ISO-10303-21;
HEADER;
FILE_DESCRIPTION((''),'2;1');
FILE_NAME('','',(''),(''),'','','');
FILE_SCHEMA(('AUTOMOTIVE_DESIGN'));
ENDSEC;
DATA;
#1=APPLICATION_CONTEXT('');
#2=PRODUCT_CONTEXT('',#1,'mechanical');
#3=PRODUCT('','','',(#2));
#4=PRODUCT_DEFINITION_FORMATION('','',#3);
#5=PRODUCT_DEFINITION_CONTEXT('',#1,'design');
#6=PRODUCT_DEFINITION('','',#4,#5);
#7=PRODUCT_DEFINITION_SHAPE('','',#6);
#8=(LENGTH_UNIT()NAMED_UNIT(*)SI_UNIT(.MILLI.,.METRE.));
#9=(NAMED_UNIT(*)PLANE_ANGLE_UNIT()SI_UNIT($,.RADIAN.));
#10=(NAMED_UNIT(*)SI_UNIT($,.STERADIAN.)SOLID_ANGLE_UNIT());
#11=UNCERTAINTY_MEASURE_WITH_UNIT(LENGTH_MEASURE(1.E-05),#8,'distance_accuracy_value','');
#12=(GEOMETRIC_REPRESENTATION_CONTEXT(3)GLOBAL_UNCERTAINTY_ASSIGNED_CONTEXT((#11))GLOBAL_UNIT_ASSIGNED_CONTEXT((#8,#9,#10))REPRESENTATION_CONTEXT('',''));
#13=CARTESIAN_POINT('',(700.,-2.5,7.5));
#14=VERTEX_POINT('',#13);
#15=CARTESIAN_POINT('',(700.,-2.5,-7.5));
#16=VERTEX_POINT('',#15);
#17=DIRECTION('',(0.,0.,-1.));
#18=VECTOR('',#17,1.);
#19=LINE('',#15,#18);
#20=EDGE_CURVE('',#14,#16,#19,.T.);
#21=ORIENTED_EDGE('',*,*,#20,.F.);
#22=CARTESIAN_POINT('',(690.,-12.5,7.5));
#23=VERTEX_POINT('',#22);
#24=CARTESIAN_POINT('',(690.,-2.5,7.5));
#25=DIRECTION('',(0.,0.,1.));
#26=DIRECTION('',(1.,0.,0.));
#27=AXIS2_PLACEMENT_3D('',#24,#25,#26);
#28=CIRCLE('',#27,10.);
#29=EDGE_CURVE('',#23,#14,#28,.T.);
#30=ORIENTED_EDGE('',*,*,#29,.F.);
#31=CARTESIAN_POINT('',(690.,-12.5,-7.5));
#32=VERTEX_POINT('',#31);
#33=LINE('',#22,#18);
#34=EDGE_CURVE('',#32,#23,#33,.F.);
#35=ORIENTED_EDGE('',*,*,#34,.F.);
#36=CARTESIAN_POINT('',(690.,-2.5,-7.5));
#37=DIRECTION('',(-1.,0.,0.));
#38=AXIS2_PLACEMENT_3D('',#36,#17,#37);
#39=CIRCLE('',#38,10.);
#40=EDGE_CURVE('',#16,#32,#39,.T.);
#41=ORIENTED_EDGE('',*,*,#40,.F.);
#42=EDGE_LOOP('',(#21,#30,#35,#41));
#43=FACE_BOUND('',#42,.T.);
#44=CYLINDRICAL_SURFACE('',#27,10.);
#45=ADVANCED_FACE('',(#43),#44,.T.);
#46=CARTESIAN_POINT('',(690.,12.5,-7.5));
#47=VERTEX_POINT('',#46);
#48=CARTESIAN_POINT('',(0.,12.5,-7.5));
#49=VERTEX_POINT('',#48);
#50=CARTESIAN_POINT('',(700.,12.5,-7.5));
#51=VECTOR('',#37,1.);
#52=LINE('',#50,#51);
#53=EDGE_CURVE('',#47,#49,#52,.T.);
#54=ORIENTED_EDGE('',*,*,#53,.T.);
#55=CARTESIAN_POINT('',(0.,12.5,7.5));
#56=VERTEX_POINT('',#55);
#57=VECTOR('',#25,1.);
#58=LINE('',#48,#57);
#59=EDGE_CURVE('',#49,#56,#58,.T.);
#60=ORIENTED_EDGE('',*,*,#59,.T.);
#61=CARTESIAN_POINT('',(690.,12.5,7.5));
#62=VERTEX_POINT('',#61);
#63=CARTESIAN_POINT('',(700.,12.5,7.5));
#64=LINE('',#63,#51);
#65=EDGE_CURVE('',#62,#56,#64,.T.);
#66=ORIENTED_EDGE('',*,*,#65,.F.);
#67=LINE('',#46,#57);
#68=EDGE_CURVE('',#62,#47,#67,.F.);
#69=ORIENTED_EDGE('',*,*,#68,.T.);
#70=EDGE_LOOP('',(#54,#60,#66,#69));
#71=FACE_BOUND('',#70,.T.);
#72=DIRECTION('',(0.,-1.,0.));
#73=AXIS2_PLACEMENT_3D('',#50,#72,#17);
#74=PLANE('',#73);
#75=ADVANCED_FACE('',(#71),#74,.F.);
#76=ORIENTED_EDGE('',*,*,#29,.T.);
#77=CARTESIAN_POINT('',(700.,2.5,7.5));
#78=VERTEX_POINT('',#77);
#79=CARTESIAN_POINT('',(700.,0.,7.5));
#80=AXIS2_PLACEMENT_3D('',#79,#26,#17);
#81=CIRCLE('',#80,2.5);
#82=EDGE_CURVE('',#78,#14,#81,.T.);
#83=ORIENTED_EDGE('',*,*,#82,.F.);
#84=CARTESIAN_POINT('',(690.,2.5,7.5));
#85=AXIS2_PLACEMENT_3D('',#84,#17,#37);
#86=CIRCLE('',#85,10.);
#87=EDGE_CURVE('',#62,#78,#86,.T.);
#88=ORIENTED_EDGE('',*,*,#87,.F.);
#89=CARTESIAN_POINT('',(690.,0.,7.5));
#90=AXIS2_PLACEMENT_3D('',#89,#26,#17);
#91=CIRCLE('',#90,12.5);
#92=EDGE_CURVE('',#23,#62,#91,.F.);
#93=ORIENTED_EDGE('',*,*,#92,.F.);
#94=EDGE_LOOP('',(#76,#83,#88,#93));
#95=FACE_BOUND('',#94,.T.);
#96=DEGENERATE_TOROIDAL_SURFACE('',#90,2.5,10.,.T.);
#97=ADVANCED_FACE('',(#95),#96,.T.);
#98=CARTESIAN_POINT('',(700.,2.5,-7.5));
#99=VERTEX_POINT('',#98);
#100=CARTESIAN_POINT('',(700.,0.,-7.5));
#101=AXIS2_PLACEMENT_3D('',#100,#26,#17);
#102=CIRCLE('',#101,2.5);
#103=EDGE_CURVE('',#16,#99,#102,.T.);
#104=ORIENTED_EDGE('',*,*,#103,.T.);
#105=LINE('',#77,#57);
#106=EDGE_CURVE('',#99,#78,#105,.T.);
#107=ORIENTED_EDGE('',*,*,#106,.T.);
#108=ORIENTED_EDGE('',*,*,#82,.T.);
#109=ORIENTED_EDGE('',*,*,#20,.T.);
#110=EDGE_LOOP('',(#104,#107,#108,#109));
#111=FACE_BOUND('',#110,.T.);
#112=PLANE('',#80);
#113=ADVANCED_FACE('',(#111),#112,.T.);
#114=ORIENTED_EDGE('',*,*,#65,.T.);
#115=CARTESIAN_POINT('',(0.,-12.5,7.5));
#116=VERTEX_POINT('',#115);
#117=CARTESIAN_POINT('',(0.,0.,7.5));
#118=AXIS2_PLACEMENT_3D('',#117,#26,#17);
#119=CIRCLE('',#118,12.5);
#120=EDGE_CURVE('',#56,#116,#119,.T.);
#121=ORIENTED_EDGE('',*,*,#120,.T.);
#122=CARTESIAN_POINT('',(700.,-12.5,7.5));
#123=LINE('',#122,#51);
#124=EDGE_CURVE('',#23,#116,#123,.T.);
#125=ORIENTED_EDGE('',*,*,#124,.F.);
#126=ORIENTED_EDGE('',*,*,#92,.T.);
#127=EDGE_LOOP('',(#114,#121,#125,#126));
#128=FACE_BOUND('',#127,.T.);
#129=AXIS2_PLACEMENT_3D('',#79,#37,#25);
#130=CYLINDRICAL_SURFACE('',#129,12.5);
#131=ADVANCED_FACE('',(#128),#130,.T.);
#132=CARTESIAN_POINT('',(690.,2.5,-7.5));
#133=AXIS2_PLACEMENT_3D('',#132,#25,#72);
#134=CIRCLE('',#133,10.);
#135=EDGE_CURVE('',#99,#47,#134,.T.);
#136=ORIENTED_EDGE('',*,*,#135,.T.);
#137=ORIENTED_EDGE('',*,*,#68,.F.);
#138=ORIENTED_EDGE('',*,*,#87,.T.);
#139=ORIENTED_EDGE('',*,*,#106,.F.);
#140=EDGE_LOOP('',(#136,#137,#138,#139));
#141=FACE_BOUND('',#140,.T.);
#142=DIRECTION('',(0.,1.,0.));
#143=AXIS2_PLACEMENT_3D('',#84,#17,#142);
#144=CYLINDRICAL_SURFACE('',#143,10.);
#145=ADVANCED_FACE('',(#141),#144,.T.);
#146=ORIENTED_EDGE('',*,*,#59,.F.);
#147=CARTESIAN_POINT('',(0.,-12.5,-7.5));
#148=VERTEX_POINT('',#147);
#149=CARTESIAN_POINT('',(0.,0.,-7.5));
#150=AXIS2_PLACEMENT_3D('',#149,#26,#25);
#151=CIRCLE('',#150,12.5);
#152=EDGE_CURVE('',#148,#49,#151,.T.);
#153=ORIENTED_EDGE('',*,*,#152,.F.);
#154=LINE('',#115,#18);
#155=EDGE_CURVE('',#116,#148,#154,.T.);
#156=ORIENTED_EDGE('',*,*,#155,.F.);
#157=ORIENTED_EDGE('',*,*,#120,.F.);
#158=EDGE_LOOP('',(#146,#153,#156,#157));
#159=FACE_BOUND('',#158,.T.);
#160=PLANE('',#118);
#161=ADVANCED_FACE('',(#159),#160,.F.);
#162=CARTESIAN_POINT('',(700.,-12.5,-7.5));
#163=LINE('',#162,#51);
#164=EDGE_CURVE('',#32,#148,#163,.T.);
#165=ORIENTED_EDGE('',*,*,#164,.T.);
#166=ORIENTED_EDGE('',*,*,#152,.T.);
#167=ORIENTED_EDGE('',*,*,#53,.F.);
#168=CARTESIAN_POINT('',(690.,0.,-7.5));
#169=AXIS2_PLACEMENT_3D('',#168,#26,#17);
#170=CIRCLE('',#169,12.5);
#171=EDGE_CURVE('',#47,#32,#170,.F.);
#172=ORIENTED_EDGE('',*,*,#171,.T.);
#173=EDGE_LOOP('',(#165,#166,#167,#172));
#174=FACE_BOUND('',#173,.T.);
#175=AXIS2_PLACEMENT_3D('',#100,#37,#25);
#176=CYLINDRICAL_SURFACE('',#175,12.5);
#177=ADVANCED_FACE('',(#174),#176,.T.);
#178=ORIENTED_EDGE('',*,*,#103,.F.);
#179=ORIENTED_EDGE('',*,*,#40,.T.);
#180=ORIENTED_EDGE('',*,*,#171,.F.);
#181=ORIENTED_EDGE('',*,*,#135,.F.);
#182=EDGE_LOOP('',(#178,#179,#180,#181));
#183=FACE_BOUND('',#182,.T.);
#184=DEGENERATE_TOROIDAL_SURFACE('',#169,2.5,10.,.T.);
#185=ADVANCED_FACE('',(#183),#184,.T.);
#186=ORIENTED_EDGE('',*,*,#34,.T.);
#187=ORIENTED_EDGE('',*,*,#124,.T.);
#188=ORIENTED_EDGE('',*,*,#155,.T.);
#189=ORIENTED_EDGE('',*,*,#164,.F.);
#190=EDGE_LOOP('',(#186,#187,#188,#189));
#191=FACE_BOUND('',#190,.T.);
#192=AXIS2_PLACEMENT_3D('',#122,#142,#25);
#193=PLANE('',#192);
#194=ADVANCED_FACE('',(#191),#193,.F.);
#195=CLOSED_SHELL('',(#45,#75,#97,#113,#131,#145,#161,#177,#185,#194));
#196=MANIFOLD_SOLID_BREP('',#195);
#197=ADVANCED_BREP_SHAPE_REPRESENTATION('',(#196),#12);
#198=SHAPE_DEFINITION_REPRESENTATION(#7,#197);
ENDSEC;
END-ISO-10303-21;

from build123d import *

# Parameters (mm, degrees)
BOSS_EXTRUDE1_DEPTH = 700
FILLET1_R           = 10


with BuildPart() as part:
    # Sketch2 → Boss-Extrude1 (new body)
    with BuildSketch(Plane(origin=(0, 0, 0), x_dir=(0, 0, -1), z_dir=(1, 0, 0))):
        with BuildLine():
            Line((7.5, 12.5), (-7.5, 12.5))
            ThreePointArc((-7.5, 12.5), (-20, 0), (-7.5, -12.5))
            Line((-7.5, -12.5), (7.5, -12.5))
            ThreePointArc((7.5, -12.5), (20, 0), (7.5, 12.5))
        make_face()
    extrude(amount=BOSS_EXTRUDE1_DEPTH)

    # Fillet1
    fillet1_edges = [part.edges().sort_by_distance(p)[0] for p in [
        (700, 0, -20),
        (700, 12.5, 0),
        (700, 0, 20),
        (700, -12.5, 0),
    ]]
    fillet(fillet1_edges, radius=FILLET1_R)


solid = part.part
